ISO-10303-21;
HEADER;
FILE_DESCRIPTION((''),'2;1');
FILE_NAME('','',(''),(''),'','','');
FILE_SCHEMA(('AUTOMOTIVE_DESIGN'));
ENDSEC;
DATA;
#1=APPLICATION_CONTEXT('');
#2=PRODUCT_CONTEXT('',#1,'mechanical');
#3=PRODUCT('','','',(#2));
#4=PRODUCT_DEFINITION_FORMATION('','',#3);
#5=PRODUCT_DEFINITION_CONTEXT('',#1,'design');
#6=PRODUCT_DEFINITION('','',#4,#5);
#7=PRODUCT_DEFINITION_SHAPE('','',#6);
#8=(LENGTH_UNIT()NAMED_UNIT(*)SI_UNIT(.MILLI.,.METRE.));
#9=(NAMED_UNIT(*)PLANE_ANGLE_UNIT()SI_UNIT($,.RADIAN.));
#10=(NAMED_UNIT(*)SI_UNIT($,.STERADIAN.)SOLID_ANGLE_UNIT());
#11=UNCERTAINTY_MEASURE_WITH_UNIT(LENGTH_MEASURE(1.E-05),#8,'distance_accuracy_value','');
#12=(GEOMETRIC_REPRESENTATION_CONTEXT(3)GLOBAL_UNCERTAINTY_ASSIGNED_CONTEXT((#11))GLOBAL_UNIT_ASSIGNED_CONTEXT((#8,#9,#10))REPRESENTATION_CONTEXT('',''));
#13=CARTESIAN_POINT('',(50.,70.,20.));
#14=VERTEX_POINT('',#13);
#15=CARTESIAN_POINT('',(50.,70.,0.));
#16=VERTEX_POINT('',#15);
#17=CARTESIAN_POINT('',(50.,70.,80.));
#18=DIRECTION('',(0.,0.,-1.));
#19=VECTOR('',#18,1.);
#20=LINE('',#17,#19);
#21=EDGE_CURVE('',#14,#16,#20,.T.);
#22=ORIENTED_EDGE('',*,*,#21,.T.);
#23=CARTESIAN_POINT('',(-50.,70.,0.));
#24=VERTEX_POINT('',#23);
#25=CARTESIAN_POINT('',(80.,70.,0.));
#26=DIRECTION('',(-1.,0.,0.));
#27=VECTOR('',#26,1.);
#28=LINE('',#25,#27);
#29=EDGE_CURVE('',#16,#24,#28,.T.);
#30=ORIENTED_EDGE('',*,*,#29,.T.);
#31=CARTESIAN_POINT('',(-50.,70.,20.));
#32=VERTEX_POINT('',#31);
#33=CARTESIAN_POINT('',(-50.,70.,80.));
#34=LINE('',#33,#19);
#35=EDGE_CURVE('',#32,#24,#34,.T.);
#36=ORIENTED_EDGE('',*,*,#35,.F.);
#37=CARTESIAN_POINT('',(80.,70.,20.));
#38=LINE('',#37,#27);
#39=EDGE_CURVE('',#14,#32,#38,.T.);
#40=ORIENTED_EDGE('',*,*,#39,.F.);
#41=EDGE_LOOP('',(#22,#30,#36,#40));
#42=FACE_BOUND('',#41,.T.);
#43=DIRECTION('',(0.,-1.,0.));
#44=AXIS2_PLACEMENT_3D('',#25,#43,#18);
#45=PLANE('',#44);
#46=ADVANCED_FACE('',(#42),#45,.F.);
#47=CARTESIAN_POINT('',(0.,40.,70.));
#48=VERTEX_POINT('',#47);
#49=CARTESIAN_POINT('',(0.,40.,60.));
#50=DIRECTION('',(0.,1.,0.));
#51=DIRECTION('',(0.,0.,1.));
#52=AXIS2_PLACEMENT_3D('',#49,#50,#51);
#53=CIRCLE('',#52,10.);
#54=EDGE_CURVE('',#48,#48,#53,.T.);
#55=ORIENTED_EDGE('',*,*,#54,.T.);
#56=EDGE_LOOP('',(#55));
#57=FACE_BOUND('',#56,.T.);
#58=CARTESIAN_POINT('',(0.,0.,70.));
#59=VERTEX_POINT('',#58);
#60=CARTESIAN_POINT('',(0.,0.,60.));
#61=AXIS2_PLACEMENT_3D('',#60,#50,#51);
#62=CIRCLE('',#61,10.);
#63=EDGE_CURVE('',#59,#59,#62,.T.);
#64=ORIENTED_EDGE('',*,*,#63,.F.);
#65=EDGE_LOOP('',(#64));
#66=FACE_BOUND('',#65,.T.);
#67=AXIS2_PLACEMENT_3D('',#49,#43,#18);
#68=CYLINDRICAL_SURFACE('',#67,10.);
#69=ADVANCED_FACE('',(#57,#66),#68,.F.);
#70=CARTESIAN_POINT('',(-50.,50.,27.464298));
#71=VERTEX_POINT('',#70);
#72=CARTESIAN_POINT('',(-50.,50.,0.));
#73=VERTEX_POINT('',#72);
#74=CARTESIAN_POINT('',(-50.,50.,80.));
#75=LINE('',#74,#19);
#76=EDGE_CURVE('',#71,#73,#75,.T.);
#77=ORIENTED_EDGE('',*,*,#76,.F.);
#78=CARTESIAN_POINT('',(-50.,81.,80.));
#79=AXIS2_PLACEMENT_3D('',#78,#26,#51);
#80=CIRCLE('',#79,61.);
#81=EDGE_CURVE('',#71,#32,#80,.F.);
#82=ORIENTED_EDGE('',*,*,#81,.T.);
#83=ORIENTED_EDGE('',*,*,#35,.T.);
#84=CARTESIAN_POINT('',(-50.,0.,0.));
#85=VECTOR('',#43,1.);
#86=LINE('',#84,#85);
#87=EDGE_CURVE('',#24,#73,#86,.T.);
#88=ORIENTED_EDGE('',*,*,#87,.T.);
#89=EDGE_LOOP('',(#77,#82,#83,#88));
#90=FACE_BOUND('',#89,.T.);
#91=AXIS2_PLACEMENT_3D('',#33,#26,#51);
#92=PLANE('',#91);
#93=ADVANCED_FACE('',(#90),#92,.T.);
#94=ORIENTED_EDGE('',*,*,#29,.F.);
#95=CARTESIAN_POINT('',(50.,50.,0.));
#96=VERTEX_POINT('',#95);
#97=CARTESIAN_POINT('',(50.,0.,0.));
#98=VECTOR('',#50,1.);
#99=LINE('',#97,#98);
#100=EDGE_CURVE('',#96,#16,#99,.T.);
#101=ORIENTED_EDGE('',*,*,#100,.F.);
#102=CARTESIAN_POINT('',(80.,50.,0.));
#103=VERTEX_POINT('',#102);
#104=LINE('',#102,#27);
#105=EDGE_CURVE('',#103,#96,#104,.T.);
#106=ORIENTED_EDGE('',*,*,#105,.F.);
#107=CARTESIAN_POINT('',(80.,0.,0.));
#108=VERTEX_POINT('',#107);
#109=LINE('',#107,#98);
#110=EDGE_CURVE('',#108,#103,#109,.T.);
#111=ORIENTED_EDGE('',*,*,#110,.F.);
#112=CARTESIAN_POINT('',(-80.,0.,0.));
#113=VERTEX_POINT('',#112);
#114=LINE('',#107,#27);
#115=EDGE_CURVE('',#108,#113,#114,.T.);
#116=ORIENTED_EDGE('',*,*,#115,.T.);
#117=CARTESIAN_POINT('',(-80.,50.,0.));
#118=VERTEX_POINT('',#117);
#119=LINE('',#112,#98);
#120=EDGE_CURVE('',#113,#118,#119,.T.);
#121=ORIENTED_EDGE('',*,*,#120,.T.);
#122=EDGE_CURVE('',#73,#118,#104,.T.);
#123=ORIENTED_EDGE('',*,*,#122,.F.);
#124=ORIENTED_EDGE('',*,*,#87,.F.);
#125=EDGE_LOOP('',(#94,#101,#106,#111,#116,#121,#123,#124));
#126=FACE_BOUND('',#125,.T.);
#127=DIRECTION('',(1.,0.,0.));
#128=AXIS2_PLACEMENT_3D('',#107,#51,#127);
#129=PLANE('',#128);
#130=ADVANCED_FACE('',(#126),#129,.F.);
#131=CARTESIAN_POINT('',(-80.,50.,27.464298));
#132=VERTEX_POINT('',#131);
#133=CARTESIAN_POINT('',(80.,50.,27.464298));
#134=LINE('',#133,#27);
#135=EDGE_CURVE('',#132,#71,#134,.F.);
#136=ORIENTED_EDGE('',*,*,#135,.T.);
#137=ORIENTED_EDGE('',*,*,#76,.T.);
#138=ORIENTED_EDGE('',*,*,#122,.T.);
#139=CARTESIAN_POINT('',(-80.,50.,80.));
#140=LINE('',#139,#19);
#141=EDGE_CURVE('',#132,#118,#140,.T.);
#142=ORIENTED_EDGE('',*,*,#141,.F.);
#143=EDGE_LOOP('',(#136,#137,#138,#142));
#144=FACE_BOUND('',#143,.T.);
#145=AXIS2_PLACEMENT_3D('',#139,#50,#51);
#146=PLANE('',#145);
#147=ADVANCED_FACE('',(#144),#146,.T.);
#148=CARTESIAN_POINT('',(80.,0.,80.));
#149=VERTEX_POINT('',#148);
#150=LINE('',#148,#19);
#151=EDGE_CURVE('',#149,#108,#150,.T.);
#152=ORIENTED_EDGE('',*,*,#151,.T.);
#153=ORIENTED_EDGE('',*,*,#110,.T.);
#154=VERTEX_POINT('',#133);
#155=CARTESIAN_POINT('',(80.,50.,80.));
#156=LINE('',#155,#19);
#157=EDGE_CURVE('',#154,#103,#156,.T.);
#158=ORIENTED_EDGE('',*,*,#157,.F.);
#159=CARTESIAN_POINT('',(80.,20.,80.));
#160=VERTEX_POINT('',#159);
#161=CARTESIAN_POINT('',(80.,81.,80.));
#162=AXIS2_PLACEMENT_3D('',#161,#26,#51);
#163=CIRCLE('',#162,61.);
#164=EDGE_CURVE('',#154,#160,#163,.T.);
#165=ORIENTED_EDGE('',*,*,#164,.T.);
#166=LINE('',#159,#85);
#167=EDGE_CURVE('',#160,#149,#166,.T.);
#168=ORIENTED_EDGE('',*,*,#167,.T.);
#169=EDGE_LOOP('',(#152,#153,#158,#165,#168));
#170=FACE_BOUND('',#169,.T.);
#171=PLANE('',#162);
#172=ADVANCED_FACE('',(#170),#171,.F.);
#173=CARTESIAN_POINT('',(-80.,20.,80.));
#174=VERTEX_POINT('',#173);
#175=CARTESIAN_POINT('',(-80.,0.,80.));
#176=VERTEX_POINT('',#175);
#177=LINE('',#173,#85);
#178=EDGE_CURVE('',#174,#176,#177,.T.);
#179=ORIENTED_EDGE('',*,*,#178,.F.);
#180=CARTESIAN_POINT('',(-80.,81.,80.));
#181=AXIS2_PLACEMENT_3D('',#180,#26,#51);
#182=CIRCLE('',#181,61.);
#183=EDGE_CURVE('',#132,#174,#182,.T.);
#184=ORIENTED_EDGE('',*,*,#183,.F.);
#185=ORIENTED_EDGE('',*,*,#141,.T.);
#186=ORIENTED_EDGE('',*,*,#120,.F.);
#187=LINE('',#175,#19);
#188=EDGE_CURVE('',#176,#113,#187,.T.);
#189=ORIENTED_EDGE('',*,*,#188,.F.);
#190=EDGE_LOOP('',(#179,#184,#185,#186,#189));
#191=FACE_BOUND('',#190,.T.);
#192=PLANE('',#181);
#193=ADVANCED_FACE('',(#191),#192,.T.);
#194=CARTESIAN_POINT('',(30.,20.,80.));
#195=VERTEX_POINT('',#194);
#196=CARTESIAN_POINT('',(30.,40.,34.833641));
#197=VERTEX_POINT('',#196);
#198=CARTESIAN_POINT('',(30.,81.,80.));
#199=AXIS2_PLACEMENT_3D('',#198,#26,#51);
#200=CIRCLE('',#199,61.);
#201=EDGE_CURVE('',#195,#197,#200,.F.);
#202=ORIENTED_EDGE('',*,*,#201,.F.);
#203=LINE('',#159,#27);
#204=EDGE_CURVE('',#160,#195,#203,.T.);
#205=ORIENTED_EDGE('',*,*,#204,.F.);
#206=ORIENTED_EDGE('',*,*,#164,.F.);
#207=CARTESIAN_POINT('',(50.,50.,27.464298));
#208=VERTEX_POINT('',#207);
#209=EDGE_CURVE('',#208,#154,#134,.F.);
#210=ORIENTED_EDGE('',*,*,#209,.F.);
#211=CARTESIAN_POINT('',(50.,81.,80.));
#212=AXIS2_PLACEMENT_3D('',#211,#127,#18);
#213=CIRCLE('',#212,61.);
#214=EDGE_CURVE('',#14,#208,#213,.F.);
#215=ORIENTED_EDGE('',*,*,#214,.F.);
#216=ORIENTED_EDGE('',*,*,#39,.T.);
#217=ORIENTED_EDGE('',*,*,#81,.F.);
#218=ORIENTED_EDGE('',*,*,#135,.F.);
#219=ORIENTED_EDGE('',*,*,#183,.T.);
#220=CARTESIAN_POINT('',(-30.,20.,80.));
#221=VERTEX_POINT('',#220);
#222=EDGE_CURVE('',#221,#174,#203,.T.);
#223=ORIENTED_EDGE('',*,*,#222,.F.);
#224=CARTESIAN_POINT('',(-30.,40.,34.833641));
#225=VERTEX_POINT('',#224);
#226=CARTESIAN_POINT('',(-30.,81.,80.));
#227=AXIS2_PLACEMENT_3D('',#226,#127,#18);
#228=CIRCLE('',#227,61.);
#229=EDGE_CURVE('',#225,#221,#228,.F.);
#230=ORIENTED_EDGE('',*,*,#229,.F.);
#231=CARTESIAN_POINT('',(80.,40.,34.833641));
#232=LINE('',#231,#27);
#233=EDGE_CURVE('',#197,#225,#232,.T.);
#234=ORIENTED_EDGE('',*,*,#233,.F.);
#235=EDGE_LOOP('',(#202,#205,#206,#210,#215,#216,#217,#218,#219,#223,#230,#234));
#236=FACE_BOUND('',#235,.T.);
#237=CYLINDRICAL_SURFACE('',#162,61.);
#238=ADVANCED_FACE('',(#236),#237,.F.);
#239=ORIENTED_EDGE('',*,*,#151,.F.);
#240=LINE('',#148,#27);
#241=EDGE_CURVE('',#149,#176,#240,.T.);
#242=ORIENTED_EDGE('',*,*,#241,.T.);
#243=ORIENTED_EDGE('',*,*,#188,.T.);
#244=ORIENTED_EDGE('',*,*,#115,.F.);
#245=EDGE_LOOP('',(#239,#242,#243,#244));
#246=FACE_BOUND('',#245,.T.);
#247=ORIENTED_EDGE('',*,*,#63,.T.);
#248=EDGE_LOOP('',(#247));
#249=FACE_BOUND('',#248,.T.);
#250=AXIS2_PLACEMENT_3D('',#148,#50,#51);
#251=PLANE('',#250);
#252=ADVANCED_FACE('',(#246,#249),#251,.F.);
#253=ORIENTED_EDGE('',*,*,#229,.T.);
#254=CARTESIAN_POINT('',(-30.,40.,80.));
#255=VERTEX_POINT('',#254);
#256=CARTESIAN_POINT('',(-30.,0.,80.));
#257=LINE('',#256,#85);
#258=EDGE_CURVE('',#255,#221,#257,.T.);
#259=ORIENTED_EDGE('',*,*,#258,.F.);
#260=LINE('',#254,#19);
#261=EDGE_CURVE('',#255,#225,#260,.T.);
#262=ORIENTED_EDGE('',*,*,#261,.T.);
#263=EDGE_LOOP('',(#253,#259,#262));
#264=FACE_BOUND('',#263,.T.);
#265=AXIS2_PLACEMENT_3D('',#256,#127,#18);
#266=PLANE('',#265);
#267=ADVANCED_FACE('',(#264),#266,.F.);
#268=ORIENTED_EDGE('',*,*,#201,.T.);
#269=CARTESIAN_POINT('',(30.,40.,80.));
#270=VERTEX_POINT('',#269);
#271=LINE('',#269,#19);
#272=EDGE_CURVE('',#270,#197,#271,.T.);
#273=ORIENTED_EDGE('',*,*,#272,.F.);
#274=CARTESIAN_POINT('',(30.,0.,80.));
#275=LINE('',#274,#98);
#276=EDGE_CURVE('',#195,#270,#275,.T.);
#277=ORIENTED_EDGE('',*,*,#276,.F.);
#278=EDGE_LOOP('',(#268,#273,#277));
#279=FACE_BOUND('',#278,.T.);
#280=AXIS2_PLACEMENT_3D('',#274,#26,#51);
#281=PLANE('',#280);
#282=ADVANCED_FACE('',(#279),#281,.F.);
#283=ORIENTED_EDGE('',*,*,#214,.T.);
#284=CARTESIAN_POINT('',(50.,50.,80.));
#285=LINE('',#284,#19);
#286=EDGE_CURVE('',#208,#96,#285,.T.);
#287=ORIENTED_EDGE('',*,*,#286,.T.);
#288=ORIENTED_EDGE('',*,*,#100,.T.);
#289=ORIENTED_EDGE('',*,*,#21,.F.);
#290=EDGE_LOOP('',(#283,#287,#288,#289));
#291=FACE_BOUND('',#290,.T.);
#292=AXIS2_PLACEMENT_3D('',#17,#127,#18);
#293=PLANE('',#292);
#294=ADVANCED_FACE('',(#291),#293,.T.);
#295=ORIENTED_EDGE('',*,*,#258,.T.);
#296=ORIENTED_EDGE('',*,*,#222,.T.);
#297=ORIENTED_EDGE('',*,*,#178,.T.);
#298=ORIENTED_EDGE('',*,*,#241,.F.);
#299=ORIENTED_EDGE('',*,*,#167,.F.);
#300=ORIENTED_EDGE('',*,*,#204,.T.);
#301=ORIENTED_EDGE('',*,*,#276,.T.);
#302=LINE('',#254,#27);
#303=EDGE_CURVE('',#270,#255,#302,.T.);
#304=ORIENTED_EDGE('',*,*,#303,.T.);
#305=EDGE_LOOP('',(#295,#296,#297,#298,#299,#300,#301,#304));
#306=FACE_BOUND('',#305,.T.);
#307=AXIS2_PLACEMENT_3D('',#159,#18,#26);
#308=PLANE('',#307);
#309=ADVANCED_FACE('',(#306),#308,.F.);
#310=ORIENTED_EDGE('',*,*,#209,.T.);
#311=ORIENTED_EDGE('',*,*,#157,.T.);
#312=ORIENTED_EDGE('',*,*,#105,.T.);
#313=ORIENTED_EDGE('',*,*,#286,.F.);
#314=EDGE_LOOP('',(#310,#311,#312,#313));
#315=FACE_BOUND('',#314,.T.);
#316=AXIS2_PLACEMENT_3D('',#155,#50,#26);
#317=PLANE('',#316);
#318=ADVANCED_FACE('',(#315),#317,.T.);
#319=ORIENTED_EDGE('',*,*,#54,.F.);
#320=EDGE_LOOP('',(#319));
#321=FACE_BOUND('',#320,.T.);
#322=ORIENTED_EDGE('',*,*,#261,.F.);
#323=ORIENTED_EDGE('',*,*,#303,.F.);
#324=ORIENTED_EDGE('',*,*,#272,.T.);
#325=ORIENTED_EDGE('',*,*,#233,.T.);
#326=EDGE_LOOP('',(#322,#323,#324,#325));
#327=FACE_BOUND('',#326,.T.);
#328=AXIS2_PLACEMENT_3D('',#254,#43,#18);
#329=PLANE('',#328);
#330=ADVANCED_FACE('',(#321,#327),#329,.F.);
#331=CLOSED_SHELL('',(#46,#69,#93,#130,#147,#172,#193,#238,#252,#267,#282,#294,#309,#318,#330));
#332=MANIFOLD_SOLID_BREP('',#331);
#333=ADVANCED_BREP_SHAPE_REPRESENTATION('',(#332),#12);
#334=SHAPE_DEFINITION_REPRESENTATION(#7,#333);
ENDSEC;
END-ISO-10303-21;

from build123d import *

# Parameters (mm, degrees)
SALIENTE_EXTRUIR1_DEPTH    = 80
CROQUIS2_W                 = 30
CROQUIS2_H                 = 20
CORTAR_EXTRUIR1_DEPTH      = 81
CORTAR_EXTRUIR1_DEPTH_BACK = 1
CROQUIS3_W                 = 60
CROQUIS3_H                 = 40
SALIENTE_EXTRUIR2_DEPTH    = 80
CROQUIS4_R                 = 10
CORTAR_EXTRUIR2_DEPTH      = 40


with BuildPart() as part:
    # Croquis1 → Saliente-Extruir1 (new body, symmetric)
    with BuildSketch(Plane(origin=(0, 0, 0), x_dir=(0, 0, -1), z_dir=(1, 0, 0))):
        with BuildLine():
            Line((0, 0), (0, 70))
            Line((0, 70), (-20, 70))
            ThreePointArc((-20, 70), (-40.94875162, 34.138501945), (-80, 20))
            Line((-80, 20), (-80, 0))
            Line((-80, 0), (0, 0))
        make_face()
    extrude(amount=SALIENTE_EXTRUIR1_DEPTH, both=True)

    # Croquis2 → Cortar-Extruir1 (cut, two sides)
    with BuildSketch(Plane.XY) as cortar_extruir1_sk:
        with Locations((-65, 60)):
            Rectangle(CROQUIS2_W, CROQUIS2_H)
        with Locations((65, 60)):
            Rectangle(CROQUIS2_W, CROQUIS2_H)
    extrude(amount=CORTAR_EXTRUIR1_DEPTH, mode=Mode.SUBTRACT)
    extrude(cortar_extruir1_sk.sketch, amount=-CORTAR_EXTRUIR1_DEPTH_BACK, mode=Mode.SUBTRACT)

    # Croquis3 → Saliente-Extruir2 (add)
    with BuildSketch(Plane.XY):
        with Locations((0, 20)):
            Rectangle(CROQUIS3_W, CROQUIS3_H)
    extrude(amount=SALIENTE_EXTRUIR2_DEPTH)

    # Croquis4 → Cortar-Extruir2 (cut)
    with BuildSketch(Plane(origin=(0, 0, 0), x_dir=(1, 0, 0), z_dir=(0, 1, 0))):
        with Locations(Location((0, -60, 0), (0, 0, 270))):  # turned: the seam where the file's is
            Circle(CROQUIS4_R)
    extrude(amount=CORTAR_EXTRUIR2_DEPTH, mode=Mode.SUBTRACT)


solid = part.part
